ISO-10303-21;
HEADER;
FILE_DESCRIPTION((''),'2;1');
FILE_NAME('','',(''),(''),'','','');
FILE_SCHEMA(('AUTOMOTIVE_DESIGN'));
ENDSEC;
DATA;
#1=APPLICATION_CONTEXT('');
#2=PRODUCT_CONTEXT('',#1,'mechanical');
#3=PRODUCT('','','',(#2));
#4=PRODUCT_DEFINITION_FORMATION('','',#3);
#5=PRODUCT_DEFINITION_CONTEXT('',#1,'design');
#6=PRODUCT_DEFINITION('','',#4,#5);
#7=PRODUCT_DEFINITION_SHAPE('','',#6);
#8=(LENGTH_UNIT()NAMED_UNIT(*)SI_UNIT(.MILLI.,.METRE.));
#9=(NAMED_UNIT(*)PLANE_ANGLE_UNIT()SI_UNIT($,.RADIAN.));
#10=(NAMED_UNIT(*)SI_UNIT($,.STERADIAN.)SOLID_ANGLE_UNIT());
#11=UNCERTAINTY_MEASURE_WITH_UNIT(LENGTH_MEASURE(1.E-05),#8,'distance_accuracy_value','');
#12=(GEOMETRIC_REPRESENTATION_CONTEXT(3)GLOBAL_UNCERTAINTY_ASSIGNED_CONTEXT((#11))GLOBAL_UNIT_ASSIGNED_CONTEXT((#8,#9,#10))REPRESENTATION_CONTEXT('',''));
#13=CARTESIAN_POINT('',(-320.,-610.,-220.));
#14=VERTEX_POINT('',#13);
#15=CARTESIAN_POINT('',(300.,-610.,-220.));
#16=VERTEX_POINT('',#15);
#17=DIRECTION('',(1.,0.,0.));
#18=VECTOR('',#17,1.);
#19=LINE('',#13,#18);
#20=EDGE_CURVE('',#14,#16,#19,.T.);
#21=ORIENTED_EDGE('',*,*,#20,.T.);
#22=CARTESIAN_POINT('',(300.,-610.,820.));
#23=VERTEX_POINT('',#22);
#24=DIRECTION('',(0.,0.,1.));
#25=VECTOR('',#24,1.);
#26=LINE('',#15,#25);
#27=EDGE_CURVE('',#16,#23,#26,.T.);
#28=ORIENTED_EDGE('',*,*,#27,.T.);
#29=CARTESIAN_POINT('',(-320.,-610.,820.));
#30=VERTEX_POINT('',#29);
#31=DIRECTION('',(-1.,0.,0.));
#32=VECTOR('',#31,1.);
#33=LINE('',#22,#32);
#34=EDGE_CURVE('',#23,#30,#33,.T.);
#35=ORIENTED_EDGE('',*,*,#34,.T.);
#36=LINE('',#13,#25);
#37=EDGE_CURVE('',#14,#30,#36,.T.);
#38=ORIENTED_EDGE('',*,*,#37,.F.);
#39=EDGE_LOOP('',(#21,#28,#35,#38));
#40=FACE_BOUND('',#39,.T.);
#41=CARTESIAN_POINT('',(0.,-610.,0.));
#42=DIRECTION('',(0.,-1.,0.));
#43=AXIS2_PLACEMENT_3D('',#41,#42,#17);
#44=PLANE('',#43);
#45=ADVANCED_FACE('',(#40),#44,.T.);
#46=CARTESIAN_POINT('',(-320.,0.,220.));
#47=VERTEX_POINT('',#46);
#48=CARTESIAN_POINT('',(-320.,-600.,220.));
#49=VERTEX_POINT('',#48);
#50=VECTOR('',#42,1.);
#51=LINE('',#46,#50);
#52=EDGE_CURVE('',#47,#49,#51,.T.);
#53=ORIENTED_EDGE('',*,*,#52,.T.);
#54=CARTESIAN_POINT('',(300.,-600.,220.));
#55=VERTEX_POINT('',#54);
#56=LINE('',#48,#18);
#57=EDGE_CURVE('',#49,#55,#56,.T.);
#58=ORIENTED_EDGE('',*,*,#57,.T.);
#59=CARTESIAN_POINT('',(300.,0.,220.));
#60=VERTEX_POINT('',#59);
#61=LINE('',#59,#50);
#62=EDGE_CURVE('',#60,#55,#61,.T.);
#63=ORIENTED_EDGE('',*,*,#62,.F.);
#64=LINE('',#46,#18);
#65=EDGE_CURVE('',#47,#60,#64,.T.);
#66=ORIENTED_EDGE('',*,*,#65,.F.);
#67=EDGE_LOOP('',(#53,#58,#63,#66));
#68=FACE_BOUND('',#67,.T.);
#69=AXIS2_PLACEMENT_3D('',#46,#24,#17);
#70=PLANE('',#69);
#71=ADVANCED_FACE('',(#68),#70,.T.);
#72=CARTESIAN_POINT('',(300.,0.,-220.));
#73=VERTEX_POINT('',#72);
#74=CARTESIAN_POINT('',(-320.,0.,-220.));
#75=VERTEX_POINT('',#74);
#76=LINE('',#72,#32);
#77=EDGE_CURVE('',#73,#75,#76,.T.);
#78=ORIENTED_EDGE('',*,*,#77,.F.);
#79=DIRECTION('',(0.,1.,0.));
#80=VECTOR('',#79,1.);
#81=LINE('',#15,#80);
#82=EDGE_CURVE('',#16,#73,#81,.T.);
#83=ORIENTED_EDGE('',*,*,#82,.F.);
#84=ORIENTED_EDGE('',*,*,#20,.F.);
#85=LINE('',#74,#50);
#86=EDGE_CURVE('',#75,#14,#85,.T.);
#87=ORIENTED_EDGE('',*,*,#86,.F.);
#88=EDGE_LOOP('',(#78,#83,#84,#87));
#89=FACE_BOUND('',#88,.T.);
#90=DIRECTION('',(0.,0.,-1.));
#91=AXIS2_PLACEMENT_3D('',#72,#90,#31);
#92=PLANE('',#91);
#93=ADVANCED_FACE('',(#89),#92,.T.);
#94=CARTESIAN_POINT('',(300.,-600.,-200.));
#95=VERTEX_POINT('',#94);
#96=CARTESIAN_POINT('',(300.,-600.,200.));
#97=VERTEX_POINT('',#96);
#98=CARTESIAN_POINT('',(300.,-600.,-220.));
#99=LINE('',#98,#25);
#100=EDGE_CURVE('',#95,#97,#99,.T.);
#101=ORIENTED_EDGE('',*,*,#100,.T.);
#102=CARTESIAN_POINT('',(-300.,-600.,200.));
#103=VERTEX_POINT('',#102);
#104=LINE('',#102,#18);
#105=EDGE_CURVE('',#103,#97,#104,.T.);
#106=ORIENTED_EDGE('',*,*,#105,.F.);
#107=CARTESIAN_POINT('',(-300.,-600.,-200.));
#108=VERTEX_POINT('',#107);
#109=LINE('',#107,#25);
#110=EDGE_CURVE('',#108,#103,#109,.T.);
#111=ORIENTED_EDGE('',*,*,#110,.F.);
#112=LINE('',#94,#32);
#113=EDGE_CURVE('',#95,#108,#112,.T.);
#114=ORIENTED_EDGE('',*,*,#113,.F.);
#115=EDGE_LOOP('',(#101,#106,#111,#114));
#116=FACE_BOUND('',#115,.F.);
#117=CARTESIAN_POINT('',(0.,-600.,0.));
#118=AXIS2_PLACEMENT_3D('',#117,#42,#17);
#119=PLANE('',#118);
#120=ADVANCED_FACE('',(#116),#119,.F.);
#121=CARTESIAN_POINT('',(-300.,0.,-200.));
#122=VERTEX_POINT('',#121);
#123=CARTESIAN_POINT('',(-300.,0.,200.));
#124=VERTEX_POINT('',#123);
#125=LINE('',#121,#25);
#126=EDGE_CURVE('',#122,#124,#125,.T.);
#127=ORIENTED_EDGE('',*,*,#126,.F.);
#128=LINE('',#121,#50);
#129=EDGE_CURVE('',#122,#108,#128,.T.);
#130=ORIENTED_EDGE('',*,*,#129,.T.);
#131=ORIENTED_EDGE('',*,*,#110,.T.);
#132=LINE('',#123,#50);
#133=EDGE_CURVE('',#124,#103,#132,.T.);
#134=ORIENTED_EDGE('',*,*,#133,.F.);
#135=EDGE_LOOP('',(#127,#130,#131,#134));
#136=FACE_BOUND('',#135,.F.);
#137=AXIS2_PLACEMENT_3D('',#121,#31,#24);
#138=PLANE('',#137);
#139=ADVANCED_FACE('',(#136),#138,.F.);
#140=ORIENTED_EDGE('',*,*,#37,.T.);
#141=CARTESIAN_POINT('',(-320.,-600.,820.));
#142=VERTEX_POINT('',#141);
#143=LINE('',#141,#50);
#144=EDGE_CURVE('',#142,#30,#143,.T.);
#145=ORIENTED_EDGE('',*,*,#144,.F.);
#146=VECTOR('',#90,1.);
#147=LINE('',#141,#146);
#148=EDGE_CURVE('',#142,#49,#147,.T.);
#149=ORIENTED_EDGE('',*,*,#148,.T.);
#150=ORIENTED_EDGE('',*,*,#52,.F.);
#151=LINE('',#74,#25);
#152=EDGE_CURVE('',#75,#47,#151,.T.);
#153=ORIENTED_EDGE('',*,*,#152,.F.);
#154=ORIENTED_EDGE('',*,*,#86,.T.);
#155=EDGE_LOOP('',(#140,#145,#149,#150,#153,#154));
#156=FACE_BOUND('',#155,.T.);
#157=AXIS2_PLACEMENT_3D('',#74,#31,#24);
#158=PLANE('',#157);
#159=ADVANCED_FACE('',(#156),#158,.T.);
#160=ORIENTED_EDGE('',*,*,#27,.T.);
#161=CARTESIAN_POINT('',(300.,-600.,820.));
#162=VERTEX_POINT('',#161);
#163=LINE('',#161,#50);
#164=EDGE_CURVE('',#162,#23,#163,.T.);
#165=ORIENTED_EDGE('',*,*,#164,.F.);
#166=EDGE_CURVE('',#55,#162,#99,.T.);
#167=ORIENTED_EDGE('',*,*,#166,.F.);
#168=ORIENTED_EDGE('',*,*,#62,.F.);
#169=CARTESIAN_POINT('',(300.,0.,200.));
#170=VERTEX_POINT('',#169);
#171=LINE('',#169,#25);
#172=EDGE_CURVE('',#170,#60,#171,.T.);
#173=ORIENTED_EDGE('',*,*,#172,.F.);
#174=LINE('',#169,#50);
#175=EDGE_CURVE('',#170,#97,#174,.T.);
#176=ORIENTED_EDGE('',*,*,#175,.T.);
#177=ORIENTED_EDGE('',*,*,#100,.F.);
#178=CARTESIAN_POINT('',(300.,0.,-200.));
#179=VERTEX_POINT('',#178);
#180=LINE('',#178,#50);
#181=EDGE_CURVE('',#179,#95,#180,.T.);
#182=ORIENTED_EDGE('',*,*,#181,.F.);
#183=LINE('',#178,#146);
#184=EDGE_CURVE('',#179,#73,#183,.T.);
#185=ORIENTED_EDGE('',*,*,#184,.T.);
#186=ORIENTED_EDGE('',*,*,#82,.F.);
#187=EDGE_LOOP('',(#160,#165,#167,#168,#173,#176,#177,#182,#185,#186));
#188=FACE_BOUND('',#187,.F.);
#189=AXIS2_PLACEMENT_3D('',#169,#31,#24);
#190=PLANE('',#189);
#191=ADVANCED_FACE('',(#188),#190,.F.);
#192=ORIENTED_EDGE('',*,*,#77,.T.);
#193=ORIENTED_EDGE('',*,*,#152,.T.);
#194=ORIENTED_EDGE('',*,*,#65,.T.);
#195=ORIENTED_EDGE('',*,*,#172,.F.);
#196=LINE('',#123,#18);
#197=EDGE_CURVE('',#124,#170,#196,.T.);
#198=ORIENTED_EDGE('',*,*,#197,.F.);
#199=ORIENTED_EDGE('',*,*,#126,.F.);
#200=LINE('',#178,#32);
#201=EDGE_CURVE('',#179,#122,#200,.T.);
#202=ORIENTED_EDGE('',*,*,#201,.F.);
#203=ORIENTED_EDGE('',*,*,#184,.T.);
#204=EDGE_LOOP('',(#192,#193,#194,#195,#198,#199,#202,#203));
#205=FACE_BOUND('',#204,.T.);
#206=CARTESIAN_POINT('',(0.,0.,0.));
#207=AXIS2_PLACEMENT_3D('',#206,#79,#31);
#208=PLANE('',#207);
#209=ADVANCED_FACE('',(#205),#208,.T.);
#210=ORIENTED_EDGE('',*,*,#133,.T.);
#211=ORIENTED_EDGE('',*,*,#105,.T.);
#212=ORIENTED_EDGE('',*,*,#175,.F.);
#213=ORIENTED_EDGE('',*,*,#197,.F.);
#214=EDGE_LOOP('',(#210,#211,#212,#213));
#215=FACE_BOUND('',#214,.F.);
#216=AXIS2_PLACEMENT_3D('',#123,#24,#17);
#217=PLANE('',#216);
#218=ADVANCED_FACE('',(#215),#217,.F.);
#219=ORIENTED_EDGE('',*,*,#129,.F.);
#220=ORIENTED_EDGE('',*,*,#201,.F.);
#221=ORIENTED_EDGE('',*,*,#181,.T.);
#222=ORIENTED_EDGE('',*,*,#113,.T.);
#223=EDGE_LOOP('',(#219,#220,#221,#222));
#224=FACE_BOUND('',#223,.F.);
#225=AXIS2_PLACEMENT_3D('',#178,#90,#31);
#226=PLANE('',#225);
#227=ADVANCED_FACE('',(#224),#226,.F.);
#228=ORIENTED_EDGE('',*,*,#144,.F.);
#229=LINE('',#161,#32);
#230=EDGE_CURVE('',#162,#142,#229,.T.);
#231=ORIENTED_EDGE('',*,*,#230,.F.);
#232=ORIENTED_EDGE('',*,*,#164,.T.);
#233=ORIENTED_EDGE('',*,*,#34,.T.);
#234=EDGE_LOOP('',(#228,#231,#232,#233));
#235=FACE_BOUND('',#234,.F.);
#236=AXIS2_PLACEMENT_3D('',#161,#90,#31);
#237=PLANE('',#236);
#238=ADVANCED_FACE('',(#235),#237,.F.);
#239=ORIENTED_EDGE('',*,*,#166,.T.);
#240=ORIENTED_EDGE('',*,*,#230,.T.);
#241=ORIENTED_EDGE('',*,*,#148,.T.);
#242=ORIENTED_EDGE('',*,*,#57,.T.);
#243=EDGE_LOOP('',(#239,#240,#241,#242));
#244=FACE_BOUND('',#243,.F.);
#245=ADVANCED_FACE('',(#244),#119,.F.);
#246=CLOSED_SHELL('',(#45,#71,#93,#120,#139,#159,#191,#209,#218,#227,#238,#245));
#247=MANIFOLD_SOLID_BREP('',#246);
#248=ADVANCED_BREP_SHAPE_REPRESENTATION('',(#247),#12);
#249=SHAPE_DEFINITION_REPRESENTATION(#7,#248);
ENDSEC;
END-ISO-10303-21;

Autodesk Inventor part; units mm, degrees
ref_plane "YZ Plane" through (0, 0, 0) normal (1, 0, 0) x (0, 1, 0)
ref_plane "XZ Plane" through (0, 0, 0) normal (0, 1, 0) x (-1, 0, 0)
ref_plane "XY Plane" through (0, 0, 0) normal (0, 0, 1) x (1, 0, 0)
sketch "Sketch1" plane through (0, 0, 0) normal (0, 1, 0) x (-1, 0, 0)
  line L0 (300, 200) -> (-300, 200)
  line L1 (-300, 200) -> (-300, -200)
  line L2 (-300, -200) -> (300, -200)
  line L3 (300, -200) -> (300, 200)
  line L4 (300, 200) -> (-300, -200) construction
  line L5 (-300, 200) -> (300, -200) construction
  line L6 (320, 220) -> (-320, 220)
  line L7 (-320, 220) -> (-320, 200)
  line L8 (-300, -220) -> (320, -220)
  line L9 (320, -220) -> (320, 220)
  line L10 (320, 220) -> (-320, -220) construction
  line L11 (-320, 220) -> (320, -220) construction
  line L12 (-300, -200) -> (-300, -220)
  line L13 (-300, 200) -> (-300, 220)
  point P0 (0, 0)
  dimension "d0" = 600
  dimension "d1" = 400
  dimension "d2" = 640
  dimension "d3" = 440
extrude "Extrusion1" add sketch "Sketch1" against normal blind 600 contours L0 L13 L6 L9 L8 L12 L2 L3
sketch "Sketch2" plane through (0, -600, 0) normal (0, -1, 0) x (1, 0, 0)
  line L0 (-320, -220) -> (-320, 220) projected
  line L1 (-320, -220) -> (300, -220)
  line L2 (300, -220) -> (300, 820)
  line L3 (300, 820) -> (-320, 820)
  line L4 (-320, 820) -> (-320, -220)
  point P0 (300, 220)
  point P1 (-320, 220)
  dimension "d14" = 1040
  dimension "d15" = 620
extrude "Extrusion2" add sketch "Sketch2" along normal blind 10
properties part number "Stage" material "Wood (Cherry)"
